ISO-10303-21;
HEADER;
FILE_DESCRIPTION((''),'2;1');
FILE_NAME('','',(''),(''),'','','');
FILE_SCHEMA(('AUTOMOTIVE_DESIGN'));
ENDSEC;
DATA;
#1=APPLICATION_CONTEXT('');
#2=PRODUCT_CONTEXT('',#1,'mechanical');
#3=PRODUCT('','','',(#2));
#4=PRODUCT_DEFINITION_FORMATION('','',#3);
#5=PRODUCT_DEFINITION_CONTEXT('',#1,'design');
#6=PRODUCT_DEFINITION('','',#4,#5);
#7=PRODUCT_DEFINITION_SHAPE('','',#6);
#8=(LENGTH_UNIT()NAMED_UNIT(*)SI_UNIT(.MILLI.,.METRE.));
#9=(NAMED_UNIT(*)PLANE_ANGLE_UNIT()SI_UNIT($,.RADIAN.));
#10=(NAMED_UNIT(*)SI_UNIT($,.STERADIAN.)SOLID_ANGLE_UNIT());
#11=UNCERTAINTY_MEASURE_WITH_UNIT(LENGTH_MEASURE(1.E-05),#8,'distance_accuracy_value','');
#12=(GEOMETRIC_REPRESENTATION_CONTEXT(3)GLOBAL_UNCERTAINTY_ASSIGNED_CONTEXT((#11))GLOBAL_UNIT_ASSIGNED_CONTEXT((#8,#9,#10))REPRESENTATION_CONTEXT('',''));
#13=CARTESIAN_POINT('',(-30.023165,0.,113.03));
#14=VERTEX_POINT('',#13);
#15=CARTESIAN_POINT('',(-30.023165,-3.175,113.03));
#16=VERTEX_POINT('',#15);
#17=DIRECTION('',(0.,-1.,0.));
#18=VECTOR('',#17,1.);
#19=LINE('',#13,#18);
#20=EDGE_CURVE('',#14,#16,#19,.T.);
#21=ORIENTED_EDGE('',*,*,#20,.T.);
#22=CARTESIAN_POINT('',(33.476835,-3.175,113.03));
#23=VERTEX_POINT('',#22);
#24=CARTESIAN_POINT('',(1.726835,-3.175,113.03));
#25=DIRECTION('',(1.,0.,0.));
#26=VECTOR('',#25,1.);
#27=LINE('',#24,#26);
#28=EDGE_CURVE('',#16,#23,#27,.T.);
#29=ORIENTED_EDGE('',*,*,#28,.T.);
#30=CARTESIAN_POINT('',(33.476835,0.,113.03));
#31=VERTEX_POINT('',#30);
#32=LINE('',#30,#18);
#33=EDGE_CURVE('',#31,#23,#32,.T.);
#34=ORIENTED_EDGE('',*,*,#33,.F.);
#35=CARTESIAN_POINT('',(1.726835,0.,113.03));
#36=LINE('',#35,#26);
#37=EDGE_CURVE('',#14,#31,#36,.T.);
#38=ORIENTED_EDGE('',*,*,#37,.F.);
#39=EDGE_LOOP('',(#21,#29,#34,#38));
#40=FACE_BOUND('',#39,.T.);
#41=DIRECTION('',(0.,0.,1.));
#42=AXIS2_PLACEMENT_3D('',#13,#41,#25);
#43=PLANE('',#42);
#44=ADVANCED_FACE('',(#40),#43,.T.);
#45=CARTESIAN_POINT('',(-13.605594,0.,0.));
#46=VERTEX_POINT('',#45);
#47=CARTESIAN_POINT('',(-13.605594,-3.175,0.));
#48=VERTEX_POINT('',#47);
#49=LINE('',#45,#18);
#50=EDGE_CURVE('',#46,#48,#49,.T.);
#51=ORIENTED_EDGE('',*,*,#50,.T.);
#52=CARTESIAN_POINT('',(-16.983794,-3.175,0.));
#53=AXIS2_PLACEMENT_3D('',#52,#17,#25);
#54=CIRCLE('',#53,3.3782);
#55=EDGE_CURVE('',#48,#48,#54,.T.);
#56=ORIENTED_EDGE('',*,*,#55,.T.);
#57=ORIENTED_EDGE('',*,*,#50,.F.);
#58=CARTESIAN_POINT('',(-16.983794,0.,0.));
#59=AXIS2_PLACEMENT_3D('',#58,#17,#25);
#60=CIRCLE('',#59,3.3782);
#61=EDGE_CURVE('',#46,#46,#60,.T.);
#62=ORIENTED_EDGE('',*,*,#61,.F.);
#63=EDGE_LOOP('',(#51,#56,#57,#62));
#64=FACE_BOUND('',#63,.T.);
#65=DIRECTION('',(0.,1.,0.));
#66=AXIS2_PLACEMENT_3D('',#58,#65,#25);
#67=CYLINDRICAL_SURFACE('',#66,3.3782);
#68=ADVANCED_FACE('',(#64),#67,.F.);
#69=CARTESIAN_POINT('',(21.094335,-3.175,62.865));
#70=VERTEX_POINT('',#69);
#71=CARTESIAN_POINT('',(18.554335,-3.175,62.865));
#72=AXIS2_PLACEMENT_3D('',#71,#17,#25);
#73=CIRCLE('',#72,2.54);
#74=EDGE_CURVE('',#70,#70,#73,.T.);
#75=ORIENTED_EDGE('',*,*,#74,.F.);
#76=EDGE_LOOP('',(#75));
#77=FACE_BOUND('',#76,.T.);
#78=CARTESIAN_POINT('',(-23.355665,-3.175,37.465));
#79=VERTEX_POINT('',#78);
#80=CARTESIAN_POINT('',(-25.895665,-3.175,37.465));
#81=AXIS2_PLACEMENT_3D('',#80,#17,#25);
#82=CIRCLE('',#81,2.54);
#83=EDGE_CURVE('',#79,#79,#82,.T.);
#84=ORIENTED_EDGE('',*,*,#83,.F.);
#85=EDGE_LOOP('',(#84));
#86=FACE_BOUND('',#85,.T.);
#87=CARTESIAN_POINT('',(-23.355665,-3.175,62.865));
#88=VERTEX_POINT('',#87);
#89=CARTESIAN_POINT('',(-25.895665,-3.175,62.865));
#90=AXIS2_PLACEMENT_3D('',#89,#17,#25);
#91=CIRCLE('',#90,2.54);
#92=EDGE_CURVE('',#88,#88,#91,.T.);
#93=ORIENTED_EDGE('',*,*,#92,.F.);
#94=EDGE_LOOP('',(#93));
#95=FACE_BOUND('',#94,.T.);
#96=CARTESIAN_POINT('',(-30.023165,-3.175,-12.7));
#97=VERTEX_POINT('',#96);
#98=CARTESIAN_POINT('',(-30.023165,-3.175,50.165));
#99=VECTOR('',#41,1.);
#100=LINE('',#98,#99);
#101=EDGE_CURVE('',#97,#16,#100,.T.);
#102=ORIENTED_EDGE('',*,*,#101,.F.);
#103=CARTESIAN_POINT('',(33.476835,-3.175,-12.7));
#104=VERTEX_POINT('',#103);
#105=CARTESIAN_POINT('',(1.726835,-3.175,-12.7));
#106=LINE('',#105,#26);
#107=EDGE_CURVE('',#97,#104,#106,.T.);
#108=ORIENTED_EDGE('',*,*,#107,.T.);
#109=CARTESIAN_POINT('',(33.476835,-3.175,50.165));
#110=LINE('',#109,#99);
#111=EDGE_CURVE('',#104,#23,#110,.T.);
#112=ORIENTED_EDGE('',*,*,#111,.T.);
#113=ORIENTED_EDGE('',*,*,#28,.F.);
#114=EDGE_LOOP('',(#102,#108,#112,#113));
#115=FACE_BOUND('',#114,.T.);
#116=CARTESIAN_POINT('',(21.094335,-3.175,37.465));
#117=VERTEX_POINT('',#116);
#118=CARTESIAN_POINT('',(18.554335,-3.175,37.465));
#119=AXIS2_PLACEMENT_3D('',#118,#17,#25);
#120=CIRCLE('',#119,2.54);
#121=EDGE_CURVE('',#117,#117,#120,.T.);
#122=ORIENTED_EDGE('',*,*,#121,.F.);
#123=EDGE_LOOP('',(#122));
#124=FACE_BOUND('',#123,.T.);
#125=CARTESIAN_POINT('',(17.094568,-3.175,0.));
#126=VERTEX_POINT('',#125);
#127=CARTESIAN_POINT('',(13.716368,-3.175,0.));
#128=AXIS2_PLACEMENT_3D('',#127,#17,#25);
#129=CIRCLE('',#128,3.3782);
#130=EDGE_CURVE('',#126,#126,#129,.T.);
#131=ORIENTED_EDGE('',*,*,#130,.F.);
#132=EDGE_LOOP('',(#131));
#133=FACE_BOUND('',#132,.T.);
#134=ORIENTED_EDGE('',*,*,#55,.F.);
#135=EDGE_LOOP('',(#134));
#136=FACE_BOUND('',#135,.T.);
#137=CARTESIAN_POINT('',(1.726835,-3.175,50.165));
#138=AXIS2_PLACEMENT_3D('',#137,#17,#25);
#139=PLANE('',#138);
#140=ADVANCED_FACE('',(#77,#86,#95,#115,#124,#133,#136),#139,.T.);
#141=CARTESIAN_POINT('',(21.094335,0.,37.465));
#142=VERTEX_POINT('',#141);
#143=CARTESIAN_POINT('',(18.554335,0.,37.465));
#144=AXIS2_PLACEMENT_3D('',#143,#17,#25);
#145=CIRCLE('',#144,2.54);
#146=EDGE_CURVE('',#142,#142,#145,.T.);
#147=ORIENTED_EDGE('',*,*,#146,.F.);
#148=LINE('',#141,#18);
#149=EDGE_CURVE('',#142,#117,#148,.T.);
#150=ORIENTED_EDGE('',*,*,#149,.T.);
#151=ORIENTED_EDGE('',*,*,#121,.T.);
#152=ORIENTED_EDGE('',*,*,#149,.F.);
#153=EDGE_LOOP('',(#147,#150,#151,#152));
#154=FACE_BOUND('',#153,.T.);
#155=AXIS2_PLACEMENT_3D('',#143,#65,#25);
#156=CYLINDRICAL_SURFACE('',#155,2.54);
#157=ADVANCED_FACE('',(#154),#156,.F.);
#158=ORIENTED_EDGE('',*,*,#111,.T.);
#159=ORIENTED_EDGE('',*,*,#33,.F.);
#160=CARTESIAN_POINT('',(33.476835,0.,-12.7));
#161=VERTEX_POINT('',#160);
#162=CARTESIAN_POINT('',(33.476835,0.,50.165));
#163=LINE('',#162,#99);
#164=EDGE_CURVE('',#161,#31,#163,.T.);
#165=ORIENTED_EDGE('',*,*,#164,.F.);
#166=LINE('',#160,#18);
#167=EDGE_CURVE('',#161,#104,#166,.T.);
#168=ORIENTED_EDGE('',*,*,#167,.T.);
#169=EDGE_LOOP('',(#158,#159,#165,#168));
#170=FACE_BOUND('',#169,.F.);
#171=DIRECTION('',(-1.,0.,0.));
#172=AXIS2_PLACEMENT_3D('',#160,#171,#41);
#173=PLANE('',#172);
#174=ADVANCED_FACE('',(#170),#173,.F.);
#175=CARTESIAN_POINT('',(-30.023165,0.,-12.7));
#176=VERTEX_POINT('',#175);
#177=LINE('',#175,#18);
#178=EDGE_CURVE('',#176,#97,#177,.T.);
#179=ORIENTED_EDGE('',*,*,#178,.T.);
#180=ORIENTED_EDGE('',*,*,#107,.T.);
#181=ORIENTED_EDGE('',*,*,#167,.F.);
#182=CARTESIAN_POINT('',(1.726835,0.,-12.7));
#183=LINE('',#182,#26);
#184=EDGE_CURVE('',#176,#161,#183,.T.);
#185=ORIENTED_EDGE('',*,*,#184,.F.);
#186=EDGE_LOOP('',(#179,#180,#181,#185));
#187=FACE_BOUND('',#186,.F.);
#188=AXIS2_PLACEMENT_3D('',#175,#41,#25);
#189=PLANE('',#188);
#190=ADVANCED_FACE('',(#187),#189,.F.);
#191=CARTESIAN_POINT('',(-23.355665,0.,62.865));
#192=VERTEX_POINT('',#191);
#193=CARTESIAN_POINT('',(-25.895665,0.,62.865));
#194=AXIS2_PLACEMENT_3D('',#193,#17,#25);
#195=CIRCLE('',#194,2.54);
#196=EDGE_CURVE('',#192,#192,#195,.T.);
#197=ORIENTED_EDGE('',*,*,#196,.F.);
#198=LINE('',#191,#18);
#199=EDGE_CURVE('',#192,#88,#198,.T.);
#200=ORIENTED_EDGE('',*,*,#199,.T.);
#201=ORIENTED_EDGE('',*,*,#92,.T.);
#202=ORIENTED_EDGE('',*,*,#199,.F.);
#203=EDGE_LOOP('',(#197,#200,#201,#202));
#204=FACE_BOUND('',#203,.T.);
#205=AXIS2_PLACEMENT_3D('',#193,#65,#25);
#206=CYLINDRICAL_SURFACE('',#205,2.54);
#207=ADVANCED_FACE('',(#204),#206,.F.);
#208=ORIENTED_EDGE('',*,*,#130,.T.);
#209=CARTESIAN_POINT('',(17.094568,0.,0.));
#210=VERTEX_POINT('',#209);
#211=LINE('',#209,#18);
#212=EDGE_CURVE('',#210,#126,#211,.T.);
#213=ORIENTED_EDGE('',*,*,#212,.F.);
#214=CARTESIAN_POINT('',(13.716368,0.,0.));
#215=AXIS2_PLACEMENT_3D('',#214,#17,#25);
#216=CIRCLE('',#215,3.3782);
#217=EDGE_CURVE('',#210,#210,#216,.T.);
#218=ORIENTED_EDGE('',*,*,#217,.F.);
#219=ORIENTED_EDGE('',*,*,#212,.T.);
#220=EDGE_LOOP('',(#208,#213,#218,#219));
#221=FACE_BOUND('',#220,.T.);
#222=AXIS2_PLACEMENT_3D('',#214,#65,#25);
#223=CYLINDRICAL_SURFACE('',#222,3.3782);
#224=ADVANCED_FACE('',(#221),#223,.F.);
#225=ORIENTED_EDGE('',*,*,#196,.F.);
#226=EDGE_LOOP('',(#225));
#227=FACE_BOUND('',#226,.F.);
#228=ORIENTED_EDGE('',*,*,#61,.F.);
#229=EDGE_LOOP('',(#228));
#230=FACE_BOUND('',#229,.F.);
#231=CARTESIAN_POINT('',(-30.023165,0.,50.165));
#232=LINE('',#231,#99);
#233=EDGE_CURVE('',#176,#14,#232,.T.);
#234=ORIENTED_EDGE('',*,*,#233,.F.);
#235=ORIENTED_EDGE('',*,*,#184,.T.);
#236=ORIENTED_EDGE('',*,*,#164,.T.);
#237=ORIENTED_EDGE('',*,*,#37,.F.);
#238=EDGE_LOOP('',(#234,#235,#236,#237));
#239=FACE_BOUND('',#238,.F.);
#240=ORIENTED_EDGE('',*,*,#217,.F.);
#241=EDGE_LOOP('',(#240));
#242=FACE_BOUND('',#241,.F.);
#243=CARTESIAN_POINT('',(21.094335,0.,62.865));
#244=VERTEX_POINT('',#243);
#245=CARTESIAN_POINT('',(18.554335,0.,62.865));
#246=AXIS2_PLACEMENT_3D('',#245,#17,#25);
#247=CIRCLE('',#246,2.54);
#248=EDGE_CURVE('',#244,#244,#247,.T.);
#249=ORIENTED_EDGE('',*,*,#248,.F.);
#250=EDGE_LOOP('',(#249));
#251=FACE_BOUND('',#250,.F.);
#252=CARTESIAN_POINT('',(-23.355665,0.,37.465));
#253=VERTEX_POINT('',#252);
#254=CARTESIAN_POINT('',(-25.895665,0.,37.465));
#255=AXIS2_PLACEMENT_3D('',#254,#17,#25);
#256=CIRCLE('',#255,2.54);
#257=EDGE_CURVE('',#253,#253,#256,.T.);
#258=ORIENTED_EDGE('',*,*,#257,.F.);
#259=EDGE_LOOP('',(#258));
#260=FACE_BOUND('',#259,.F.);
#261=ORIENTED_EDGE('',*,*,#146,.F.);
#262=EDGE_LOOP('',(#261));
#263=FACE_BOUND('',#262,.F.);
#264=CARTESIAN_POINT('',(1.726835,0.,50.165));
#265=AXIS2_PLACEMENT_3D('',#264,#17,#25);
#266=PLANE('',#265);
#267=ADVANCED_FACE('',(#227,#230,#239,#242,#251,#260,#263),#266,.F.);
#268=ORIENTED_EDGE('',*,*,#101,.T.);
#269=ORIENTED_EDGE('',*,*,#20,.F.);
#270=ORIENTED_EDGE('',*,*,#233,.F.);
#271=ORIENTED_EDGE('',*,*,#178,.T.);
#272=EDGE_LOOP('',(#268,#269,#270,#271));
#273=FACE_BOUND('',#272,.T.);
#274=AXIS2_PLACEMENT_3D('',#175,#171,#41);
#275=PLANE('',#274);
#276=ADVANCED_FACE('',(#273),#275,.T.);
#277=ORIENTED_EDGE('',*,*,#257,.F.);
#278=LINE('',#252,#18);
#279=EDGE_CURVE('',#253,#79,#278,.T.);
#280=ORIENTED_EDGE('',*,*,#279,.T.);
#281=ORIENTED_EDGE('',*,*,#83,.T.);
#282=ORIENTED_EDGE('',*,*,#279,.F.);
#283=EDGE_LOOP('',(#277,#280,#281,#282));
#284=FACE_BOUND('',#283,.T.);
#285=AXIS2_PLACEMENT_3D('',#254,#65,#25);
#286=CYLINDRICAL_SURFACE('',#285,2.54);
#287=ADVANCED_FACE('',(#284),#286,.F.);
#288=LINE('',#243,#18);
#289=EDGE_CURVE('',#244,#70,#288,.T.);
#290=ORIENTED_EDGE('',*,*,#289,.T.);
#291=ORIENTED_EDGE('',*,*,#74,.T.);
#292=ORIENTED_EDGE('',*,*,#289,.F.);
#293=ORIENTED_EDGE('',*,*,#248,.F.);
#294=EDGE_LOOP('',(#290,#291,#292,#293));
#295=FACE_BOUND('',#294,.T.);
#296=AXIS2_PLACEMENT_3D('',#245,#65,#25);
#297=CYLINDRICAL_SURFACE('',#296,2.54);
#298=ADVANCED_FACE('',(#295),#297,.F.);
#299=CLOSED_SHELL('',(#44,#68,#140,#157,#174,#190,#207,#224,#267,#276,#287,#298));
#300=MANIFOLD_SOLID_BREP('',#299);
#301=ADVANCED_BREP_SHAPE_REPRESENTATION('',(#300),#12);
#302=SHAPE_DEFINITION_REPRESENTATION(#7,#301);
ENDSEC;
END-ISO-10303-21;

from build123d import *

# Parameters (mm, degrees)
F0_W     = 63.5
F0_H     = 125.73
F0_R     = 3.3782
F0_R_2   = 2.54
F1_DEPTH = 3.175


with BuildPart() as f1:
    # F0 (on Front) → F1 (new body)
    with BuildSketch(Plane.XZ):
        with Locations((1.726835, 50.165)):
            Rectangle(F0_W, F0_H)
        with Locations((-16.983794, 0)):
            Circle(F0_R, mode=Mode.SUBTRACT)
        with Locations((-25.895665, 37.465)):
            Circle(F0_R_2, mode=Mode.SUBTRACT)
        with Locations((13.716368, 0)):
            Circle(F0_R, mode=Mode.SUBTRACT)
        with Locations((18.554335, 37.465)):
            Circle(F0_R_2, mode=Mode.SUBTRACT)
        with Locations((-25.895665, 62.865)):
            Circle(F0_R_2, mode=Mode.SUBTRACT)
        with Locations((18.554335, 62.865)):
            Circle(F0_R_2, mode=Mode.SUBTRACT)
    extrude(amount=F1_DEPTH)


solid = f1.part
